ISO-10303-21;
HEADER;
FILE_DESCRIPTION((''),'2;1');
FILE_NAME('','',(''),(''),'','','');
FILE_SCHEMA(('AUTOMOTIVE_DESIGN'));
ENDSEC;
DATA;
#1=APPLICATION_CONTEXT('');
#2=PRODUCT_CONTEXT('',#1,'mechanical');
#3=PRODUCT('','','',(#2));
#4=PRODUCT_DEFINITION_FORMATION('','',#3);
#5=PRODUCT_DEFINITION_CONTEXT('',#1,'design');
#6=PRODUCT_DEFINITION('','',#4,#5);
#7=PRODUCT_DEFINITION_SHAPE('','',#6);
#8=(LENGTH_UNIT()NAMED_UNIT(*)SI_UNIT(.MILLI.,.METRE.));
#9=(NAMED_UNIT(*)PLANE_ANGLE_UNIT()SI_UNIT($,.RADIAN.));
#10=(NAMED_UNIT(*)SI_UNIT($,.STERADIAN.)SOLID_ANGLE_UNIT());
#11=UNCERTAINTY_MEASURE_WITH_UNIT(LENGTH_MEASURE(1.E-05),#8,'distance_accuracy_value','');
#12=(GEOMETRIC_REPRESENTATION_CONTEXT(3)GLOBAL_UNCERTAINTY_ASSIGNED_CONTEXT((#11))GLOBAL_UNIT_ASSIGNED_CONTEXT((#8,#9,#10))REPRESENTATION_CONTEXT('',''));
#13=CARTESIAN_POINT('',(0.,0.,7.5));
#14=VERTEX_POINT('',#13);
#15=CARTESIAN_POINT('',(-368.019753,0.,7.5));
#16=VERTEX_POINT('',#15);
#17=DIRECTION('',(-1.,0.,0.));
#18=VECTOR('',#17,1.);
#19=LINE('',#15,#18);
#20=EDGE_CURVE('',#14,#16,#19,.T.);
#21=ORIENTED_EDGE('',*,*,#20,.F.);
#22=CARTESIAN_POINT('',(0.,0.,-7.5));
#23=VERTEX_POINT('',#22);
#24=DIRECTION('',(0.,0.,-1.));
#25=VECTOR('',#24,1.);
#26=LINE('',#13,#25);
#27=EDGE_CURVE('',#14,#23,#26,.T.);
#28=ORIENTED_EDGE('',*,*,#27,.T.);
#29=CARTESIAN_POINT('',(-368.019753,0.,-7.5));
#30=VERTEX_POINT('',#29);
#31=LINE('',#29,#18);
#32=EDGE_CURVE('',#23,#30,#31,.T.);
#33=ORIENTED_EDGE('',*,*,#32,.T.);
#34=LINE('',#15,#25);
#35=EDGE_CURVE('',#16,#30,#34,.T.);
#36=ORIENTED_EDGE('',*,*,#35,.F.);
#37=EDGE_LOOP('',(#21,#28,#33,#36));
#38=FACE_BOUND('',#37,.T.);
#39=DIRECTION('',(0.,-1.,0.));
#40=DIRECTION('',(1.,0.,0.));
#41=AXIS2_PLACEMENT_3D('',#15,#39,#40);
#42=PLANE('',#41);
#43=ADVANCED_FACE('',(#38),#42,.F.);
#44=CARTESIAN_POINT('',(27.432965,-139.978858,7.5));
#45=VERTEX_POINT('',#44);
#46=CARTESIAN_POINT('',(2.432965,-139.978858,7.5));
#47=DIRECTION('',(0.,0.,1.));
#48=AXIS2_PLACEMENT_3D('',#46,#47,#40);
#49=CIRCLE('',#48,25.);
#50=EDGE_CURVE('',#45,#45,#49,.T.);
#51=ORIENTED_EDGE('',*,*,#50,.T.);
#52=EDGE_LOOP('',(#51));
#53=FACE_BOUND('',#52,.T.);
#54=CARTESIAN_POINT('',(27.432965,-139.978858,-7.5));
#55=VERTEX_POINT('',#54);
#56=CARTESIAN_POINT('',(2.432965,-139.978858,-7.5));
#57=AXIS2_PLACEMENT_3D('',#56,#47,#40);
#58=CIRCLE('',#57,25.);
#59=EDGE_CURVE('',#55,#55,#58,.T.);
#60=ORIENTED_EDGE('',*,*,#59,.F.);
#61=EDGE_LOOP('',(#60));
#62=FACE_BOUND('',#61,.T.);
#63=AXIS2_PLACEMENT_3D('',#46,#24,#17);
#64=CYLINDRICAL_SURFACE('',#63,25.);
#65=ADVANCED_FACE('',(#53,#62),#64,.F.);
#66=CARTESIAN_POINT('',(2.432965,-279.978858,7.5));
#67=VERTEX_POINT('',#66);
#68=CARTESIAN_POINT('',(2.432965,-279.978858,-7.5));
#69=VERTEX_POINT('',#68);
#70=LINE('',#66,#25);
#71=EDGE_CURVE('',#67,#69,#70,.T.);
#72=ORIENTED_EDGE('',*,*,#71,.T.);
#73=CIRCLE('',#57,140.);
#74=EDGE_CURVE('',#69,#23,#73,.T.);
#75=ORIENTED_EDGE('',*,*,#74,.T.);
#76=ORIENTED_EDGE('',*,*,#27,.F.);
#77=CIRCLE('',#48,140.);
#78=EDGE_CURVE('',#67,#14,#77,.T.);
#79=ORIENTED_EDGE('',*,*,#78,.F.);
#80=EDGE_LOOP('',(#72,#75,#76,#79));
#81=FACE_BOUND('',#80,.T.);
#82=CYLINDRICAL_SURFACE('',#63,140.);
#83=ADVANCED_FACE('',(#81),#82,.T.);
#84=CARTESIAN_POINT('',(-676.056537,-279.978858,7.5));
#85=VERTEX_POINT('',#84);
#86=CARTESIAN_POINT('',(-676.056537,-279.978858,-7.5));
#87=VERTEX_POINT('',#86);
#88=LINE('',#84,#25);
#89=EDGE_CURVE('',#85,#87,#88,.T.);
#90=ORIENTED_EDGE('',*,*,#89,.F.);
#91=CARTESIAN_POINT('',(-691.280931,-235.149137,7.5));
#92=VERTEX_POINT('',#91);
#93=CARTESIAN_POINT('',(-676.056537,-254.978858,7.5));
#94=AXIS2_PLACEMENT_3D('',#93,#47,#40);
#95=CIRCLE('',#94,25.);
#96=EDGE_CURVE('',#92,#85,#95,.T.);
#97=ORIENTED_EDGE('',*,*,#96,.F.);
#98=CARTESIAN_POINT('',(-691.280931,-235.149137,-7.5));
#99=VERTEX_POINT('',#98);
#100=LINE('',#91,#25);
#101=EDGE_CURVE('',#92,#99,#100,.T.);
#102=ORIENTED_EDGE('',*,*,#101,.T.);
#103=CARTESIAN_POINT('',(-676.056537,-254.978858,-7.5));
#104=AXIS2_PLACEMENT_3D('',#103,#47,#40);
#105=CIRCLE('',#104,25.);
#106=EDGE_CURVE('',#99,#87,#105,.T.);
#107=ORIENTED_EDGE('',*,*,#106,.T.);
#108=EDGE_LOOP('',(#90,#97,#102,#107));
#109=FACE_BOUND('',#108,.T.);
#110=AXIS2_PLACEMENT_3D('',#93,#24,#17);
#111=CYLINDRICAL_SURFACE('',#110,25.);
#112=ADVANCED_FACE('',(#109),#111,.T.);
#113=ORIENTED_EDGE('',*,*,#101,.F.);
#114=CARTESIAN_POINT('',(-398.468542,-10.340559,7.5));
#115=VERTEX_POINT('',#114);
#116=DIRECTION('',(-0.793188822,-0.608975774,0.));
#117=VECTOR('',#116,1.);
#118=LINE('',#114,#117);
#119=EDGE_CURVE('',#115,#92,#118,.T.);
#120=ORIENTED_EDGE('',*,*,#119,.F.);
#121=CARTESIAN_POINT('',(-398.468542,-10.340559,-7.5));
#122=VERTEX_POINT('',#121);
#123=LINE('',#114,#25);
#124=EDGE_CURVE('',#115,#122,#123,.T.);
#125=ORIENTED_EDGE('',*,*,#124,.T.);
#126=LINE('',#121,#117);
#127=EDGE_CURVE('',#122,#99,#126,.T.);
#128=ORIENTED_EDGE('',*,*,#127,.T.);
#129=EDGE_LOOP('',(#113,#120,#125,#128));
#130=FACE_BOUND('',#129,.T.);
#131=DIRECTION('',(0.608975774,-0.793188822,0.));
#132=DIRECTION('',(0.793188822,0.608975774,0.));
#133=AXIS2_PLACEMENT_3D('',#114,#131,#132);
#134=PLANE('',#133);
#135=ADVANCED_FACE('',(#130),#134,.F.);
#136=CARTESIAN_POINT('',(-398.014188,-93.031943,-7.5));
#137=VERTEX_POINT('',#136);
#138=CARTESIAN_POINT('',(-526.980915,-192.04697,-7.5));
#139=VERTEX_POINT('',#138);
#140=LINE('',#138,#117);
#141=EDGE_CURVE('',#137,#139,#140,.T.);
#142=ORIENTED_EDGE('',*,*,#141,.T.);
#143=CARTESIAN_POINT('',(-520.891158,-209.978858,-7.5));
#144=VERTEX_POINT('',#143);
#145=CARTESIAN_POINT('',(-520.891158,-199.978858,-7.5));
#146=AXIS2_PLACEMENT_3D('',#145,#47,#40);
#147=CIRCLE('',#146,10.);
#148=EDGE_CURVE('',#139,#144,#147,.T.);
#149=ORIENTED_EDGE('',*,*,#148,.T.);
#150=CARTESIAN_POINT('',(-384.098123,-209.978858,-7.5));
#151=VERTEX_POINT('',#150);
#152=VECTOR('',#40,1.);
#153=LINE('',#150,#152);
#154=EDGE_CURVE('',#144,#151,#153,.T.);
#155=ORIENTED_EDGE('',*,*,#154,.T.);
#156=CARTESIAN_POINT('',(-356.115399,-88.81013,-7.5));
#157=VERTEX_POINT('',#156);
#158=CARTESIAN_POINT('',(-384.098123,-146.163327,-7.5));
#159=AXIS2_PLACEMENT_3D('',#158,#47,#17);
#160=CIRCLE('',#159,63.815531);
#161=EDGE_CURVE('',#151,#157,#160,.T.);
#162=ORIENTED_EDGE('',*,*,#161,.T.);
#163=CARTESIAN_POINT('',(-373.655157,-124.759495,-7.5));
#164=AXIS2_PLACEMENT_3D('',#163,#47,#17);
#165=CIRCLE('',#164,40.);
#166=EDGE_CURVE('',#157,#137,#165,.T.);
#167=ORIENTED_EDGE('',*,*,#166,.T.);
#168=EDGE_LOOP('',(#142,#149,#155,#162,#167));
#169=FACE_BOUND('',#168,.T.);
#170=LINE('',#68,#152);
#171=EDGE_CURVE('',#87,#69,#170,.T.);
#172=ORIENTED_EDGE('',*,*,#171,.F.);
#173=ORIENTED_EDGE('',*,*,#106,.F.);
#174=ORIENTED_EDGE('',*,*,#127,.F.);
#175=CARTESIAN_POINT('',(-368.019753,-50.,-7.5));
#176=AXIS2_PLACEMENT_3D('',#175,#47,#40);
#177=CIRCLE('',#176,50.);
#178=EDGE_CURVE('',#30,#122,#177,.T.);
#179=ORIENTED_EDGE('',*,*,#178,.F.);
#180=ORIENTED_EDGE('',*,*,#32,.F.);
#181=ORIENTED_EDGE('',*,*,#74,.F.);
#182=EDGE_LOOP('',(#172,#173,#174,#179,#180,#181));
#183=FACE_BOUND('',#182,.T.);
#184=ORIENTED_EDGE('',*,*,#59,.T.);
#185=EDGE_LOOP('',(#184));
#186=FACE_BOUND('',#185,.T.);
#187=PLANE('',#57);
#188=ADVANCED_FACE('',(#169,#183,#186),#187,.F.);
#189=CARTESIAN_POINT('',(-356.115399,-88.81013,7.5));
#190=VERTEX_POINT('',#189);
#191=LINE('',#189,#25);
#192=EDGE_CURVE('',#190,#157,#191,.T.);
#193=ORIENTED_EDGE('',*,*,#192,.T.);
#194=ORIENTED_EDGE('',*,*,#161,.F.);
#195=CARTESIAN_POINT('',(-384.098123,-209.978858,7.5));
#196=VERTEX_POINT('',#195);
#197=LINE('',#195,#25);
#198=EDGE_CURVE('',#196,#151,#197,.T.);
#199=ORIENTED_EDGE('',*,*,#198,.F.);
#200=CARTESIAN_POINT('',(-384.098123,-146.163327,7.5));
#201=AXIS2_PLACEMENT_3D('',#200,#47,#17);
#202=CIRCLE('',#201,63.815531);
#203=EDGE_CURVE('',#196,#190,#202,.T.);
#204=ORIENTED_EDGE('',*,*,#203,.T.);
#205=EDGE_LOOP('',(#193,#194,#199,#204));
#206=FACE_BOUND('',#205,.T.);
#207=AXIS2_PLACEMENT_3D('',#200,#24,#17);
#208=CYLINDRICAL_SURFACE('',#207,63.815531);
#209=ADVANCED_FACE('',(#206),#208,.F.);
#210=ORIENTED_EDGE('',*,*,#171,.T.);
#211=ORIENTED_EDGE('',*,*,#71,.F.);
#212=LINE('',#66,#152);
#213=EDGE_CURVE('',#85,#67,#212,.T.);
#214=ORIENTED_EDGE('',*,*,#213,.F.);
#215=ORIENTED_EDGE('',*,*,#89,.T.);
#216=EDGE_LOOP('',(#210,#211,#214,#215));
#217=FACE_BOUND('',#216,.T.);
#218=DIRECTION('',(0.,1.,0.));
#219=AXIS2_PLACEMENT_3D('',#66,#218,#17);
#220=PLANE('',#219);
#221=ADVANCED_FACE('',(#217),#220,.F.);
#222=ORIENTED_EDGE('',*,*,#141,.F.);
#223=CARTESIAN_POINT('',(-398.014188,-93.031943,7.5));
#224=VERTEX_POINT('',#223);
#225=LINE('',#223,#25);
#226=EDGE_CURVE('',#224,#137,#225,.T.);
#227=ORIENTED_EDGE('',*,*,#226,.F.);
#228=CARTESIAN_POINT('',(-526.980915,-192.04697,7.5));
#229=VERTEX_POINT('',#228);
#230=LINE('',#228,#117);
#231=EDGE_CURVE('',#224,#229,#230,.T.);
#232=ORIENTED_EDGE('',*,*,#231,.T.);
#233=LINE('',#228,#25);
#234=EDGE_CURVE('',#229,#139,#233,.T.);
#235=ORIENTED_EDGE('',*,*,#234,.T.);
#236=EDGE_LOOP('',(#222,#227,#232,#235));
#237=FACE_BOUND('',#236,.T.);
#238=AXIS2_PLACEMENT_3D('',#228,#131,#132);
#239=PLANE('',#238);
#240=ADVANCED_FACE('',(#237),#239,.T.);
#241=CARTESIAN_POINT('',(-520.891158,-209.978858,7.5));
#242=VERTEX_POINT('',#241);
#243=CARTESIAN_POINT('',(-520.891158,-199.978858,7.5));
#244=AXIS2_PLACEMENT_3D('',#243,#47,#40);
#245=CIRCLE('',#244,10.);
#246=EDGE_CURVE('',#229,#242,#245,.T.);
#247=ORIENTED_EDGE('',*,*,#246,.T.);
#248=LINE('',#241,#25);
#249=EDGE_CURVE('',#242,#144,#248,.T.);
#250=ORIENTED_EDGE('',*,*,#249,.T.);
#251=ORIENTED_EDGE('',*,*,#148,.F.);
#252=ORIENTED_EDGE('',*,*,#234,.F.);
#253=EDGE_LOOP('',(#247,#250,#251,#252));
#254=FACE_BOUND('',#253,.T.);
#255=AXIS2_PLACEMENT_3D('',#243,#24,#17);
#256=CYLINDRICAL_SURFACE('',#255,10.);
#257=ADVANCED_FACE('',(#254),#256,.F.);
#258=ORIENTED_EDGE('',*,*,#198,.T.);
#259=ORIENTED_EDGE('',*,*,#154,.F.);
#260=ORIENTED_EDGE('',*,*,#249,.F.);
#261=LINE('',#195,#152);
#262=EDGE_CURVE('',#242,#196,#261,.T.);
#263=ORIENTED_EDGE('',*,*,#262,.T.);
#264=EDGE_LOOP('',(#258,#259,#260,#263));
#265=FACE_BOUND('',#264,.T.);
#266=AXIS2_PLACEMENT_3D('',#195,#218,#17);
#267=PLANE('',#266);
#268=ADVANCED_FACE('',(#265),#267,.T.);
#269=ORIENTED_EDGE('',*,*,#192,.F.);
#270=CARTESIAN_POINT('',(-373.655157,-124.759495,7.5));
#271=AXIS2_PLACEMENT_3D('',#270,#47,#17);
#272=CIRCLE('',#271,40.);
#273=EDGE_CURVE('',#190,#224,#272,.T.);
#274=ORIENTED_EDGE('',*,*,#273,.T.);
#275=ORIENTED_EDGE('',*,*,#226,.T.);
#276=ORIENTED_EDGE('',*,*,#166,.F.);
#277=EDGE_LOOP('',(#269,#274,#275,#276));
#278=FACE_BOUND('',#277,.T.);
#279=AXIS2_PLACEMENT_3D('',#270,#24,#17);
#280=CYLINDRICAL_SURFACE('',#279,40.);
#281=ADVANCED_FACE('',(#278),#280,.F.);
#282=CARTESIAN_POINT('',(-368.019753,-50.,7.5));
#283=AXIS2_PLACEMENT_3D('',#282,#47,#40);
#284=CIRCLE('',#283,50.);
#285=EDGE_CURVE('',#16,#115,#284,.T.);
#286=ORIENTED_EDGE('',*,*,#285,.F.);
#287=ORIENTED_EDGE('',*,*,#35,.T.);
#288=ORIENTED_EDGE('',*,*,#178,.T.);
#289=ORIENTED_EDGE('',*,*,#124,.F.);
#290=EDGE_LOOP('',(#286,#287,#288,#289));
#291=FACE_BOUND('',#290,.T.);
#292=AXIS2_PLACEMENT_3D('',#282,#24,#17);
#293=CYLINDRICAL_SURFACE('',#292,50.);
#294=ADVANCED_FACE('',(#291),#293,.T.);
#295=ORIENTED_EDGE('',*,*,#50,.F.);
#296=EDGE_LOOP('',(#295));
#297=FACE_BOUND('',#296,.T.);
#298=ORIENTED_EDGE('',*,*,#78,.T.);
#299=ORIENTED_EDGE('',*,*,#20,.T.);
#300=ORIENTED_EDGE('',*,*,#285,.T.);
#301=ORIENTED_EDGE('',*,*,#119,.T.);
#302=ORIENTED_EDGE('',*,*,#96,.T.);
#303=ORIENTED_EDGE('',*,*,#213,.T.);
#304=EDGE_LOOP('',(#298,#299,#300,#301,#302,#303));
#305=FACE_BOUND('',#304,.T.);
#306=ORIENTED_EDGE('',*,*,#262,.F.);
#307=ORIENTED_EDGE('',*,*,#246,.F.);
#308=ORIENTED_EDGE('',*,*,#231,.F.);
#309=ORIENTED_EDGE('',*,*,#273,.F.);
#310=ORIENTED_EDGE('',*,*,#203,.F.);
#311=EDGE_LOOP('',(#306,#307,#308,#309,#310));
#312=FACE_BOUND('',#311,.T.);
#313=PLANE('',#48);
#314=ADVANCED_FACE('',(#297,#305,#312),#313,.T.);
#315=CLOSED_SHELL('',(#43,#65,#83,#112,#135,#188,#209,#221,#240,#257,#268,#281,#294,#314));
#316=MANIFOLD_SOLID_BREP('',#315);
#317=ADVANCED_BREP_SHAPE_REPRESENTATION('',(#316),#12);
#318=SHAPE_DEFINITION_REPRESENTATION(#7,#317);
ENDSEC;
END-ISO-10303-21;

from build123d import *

# Parameters (mm, degrees)
SKETCH2_R           = 25
BOSS_EXTRUDE1_DEPTH = 7.5


with BuildPart() as part:
    # Sketch2 → Boss-Extrude1 (new body, symmetric)
    with BuildSketch(Plane.XY):
        with BuildLine():
            Line((-398.468541926, -10.340558916), (-691.280931438, -235.14913744))
            ThreePointArc((-691.280931438, -235.14913744), (-699.728704435, -263.018042843), (-676.056537091, -279.978857982))
            Line((-676.056537091, -279.978857982), (2.432964843, -279.978857982))
            ThreePointArc((2.432964843, -279.978857982), (142.427679239, -138.762329632), (0, 0))
            Line((0, 0), (-368.019753232, 0))
            ThreePointArc((-368.019753232, 0), (-384.098122954, -2.655665311), (-398.468541926, -10.340558916))
        make_face()
        with Locations((2.432964843, -139.978857982)):
            Circle(SKETCH2_R, mode=Mode.SUBTRACT)
        with BuildLine():
            Line((-526.980915272, -192.046969766), (-398.014187587, -93.031942512))
            ThreePointArc((-398.014187587, -93.031942512), (-377.665337115, -84.961022387), (-356.115398822, -88.810129655))
            ThreePointArc((-356.115398822, -88.810129655), (-321.919160325, -160.522945456), (-384.098122954, -209.978857982))
            Line((-384.098122954, -209.978857982), (-520.891157533, -209.978857982))
            ThreePointArc((-520.891157533, -209.978857982), (-530.360024471, -203.194531927), (-526.980915272, -192.046969766))
        make_face(mode=Mode.SUBTRACT)
    extrude(amount=BOSS_EXTRUDE1_DEPTH, both=True)


solid = part.part
